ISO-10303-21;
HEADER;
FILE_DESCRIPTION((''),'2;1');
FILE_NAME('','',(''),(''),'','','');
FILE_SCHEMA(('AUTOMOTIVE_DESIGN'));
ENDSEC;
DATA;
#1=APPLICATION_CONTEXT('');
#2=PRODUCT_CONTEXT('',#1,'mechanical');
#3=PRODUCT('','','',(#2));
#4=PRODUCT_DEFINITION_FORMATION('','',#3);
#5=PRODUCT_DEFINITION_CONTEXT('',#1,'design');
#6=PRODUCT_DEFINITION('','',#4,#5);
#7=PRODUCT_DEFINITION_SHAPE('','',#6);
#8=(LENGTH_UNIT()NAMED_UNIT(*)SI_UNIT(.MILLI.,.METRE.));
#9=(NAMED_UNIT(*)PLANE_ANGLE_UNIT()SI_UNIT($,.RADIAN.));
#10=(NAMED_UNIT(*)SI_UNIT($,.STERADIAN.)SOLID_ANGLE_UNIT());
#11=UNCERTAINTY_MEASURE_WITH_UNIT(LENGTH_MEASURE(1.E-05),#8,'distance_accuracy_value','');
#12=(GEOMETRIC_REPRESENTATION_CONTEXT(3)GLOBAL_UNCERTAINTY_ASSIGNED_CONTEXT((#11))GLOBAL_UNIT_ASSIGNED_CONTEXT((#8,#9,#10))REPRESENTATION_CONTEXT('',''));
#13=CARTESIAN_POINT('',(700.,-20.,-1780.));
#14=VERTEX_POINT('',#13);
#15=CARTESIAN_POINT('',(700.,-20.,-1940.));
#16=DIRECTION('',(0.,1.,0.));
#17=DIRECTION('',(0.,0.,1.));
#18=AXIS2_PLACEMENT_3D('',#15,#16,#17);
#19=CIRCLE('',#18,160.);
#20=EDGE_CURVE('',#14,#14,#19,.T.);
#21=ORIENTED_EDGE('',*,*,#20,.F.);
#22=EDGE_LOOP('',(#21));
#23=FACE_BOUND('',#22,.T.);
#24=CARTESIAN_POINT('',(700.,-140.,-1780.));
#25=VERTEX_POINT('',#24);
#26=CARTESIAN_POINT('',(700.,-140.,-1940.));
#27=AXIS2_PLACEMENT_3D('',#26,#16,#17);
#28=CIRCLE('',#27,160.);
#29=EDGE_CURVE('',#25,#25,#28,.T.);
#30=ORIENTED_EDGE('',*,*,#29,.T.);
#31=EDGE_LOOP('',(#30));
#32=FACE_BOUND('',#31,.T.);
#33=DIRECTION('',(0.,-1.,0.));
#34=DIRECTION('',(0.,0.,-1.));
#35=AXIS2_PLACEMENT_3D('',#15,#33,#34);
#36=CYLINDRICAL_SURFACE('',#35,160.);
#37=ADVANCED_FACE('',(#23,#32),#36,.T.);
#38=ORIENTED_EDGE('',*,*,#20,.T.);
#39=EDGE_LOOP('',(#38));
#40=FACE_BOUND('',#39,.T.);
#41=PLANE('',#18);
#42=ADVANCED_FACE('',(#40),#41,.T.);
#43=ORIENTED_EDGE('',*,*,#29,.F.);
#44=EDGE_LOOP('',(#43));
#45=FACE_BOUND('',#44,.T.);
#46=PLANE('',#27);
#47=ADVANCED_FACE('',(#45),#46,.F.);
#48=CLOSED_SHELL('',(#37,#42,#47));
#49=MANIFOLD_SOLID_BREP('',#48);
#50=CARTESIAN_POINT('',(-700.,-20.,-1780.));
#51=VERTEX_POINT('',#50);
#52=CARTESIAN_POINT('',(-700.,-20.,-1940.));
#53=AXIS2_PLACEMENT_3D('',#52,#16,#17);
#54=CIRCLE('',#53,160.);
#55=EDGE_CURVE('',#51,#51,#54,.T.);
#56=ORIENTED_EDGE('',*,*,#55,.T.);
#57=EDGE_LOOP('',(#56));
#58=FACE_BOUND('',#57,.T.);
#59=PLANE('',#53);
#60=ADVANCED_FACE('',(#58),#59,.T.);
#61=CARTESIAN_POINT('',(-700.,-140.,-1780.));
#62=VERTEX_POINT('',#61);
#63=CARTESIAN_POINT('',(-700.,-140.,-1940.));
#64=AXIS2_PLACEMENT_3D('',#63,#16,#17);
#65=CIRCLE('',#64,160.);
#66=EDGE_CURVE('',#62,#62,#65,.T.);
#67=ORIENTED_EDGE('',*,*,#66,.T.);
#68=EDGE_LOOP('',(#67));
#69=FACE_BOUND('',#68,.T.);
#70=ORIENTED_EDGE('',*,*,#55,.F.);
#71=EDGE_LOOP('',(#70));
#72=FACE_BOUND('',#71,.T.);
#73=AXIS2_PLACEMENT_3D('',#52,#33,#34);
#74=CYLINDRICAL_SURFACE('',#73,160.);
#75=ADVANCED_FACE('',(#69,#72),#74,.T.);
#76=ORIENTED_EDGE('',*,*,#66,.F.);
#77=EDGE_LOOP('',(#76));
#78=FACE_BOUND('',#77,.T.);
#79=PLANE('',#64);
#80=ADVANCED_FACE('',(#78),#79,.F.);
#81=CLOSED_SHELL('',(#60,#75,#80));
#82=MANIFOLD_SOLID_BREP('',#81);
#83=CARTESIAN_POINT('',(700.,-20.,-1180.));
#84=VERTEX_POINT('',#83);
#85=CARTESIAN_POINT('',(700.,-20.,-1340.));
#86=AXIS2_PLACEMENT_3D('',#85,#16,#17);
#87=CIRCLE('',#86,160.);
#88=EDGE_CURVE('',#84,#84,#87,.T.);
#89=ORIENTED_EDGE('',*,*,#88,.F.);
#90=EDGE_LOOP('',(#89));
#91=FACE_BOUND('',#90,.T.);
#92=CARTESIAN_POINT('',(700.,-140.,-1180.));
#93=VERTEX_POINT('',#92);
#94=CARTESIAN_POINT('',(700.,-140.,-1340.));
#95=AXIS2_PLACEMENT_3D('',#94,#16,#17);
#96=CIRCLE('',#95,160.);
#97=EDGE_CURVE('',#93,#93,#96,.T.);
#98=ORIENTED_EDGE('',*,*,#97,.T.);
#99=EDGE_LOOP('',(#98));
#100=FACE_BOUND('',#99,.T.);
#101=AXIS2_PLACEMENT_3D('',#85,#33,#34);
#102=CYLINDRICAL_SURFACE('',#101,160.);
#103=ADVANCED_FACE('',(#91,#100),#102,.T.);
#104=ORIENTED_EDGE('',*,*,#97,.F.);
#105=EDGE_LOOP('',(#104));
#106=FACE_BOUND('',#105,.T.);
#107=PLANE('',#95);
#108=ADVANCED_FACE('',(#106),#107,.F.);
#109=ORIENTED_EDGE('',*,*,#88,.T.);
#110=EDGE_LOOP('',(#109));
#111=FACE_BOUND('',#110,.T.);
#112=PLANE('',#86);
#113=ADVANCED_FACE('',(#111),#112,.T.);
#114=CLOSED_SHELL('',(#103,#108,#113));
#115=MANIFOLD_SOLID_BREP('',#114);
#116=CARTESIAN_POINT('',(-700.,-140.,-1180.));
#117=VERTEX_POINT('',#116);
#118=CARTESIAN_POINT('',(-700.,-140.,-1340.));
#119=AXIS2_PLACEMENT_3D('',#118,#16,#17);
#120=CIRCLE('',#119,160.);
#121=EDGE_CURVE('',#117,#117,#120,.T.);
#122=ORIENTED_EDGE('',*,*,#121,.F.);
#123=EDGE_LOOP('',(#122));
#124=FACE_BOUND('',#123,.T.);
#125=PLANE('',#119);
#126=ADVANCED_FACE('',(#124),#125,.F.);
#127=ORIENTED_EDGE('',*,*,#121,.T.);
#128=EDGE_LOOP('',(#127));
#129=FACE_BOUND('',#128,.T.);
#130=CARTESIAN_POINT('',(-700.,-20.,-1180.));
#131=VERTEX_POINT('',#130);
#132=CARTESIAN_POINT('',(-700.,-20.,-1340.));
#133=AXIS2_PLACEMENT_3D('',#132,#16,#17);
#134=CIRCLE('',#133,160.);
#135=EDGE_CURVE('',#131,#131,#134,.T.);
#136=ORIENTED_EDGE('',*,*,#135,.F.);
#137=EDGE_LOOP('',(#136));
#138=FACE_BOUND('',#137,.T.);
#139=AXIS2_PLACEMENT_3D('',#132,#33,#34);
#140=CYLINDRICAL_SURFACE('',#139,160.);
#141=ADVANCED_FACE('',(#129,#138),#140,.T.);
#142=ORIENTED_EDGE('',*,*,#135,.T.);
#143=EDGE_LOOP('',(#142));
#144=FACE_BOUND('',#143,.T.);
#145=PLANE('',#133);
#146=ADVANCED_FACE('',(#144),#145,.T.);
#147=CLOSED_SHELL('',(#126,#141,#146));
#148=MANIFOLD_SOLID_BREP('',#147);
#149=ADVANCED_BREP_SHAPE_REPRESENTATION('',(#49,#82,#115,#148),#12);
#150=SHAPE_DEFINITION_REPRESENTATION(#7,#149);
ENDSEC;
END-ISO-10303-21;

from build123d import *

# Parameters (mm, degrees)
BOSS_EXTRUDE1_START = -140
SKETCH1_R           = 160
BOSS_EXTRUDE1_DEPTH = 120
BOSS_EXTRUDE2_START = -140
SKETCH2_R           = 160
BOSS_EXTRUDE2_DEPTH = 120
BOSS_EXTRUDE3_START = -140
SKETCH3_R           = 160
BOSS_EXTRUDE3_DEPTH = 120
BOSS_EXTRUDE4_START = -140
SKETCH4_R           = 160
BOSS_EXTRUDE4_DEPTH = 120


with BuildPart() as part:
    # Sketch1 → Boss-Extrude1 (new body)
    with BuildSketch(Plane(origin=(0, 0, 0), x_dir=(1, 0, 0), z_dir=(0, 1, 0)).offset(BOSS_EXTRUDE1_START)):
        with Locations(Location((-700, 1940, 0), (0, 0, 270))):
            Circle(SKETCH1_R)
    extrude(amount=BOSS_EXTRUDE1_DEPTH)


with BuildPart() as body_2:
    # Sketch2 → Boss-Extrude2 (new body)
    with BuildSketch(Plane(origin=(0, 0, 0), x_dir=(1, 0, 0), z_dir=(0, 1, 0)).offset(BOSS_EXTRUDE2_START)):
        with Locations(Location((-700, 1340, 0), (0, 0, 270))):
            Circle(SKETCH2_R)
    extrude(amount=BOSS_EXTRUDE2_DEPTH)


with BuildPart() as body_3:
    # Sketch3 → Boss-Extrude3 (new body)
    with BuildSketch(Plane(origin=(0, 0, 0), x_dir=(1, 0, 0), z_dir=(0, 1, 0)).offset(BOSS_EXTRUDE3_START)):
        with Locations(Location((700, 1940, 0), (0, 0, 270))):
            Circle(SKETCH3_R)
    extrude(amount=BOSS_EXTRUDE3_DEPTH)


with BuildPart() as body_4:
    # Sketch4 → Boss-Extrude4 (new body)
    with BuildSketch(Plane(origin=(0, 0, 0), x_dir=(1, 0, 0), z_dir=(0, 1, 0)).offset(BOSS_EXTRUDE4_START)):
        with Locations(Location((700, 1340, 0), (0, 0, 270))):
            Circle(SKETCH4_R)
    extrude(amount=BOSS_EXTRUDE4_DEPTH)


solid = Compound([part.part, body_2.part, body_3.part, body_4.part])
